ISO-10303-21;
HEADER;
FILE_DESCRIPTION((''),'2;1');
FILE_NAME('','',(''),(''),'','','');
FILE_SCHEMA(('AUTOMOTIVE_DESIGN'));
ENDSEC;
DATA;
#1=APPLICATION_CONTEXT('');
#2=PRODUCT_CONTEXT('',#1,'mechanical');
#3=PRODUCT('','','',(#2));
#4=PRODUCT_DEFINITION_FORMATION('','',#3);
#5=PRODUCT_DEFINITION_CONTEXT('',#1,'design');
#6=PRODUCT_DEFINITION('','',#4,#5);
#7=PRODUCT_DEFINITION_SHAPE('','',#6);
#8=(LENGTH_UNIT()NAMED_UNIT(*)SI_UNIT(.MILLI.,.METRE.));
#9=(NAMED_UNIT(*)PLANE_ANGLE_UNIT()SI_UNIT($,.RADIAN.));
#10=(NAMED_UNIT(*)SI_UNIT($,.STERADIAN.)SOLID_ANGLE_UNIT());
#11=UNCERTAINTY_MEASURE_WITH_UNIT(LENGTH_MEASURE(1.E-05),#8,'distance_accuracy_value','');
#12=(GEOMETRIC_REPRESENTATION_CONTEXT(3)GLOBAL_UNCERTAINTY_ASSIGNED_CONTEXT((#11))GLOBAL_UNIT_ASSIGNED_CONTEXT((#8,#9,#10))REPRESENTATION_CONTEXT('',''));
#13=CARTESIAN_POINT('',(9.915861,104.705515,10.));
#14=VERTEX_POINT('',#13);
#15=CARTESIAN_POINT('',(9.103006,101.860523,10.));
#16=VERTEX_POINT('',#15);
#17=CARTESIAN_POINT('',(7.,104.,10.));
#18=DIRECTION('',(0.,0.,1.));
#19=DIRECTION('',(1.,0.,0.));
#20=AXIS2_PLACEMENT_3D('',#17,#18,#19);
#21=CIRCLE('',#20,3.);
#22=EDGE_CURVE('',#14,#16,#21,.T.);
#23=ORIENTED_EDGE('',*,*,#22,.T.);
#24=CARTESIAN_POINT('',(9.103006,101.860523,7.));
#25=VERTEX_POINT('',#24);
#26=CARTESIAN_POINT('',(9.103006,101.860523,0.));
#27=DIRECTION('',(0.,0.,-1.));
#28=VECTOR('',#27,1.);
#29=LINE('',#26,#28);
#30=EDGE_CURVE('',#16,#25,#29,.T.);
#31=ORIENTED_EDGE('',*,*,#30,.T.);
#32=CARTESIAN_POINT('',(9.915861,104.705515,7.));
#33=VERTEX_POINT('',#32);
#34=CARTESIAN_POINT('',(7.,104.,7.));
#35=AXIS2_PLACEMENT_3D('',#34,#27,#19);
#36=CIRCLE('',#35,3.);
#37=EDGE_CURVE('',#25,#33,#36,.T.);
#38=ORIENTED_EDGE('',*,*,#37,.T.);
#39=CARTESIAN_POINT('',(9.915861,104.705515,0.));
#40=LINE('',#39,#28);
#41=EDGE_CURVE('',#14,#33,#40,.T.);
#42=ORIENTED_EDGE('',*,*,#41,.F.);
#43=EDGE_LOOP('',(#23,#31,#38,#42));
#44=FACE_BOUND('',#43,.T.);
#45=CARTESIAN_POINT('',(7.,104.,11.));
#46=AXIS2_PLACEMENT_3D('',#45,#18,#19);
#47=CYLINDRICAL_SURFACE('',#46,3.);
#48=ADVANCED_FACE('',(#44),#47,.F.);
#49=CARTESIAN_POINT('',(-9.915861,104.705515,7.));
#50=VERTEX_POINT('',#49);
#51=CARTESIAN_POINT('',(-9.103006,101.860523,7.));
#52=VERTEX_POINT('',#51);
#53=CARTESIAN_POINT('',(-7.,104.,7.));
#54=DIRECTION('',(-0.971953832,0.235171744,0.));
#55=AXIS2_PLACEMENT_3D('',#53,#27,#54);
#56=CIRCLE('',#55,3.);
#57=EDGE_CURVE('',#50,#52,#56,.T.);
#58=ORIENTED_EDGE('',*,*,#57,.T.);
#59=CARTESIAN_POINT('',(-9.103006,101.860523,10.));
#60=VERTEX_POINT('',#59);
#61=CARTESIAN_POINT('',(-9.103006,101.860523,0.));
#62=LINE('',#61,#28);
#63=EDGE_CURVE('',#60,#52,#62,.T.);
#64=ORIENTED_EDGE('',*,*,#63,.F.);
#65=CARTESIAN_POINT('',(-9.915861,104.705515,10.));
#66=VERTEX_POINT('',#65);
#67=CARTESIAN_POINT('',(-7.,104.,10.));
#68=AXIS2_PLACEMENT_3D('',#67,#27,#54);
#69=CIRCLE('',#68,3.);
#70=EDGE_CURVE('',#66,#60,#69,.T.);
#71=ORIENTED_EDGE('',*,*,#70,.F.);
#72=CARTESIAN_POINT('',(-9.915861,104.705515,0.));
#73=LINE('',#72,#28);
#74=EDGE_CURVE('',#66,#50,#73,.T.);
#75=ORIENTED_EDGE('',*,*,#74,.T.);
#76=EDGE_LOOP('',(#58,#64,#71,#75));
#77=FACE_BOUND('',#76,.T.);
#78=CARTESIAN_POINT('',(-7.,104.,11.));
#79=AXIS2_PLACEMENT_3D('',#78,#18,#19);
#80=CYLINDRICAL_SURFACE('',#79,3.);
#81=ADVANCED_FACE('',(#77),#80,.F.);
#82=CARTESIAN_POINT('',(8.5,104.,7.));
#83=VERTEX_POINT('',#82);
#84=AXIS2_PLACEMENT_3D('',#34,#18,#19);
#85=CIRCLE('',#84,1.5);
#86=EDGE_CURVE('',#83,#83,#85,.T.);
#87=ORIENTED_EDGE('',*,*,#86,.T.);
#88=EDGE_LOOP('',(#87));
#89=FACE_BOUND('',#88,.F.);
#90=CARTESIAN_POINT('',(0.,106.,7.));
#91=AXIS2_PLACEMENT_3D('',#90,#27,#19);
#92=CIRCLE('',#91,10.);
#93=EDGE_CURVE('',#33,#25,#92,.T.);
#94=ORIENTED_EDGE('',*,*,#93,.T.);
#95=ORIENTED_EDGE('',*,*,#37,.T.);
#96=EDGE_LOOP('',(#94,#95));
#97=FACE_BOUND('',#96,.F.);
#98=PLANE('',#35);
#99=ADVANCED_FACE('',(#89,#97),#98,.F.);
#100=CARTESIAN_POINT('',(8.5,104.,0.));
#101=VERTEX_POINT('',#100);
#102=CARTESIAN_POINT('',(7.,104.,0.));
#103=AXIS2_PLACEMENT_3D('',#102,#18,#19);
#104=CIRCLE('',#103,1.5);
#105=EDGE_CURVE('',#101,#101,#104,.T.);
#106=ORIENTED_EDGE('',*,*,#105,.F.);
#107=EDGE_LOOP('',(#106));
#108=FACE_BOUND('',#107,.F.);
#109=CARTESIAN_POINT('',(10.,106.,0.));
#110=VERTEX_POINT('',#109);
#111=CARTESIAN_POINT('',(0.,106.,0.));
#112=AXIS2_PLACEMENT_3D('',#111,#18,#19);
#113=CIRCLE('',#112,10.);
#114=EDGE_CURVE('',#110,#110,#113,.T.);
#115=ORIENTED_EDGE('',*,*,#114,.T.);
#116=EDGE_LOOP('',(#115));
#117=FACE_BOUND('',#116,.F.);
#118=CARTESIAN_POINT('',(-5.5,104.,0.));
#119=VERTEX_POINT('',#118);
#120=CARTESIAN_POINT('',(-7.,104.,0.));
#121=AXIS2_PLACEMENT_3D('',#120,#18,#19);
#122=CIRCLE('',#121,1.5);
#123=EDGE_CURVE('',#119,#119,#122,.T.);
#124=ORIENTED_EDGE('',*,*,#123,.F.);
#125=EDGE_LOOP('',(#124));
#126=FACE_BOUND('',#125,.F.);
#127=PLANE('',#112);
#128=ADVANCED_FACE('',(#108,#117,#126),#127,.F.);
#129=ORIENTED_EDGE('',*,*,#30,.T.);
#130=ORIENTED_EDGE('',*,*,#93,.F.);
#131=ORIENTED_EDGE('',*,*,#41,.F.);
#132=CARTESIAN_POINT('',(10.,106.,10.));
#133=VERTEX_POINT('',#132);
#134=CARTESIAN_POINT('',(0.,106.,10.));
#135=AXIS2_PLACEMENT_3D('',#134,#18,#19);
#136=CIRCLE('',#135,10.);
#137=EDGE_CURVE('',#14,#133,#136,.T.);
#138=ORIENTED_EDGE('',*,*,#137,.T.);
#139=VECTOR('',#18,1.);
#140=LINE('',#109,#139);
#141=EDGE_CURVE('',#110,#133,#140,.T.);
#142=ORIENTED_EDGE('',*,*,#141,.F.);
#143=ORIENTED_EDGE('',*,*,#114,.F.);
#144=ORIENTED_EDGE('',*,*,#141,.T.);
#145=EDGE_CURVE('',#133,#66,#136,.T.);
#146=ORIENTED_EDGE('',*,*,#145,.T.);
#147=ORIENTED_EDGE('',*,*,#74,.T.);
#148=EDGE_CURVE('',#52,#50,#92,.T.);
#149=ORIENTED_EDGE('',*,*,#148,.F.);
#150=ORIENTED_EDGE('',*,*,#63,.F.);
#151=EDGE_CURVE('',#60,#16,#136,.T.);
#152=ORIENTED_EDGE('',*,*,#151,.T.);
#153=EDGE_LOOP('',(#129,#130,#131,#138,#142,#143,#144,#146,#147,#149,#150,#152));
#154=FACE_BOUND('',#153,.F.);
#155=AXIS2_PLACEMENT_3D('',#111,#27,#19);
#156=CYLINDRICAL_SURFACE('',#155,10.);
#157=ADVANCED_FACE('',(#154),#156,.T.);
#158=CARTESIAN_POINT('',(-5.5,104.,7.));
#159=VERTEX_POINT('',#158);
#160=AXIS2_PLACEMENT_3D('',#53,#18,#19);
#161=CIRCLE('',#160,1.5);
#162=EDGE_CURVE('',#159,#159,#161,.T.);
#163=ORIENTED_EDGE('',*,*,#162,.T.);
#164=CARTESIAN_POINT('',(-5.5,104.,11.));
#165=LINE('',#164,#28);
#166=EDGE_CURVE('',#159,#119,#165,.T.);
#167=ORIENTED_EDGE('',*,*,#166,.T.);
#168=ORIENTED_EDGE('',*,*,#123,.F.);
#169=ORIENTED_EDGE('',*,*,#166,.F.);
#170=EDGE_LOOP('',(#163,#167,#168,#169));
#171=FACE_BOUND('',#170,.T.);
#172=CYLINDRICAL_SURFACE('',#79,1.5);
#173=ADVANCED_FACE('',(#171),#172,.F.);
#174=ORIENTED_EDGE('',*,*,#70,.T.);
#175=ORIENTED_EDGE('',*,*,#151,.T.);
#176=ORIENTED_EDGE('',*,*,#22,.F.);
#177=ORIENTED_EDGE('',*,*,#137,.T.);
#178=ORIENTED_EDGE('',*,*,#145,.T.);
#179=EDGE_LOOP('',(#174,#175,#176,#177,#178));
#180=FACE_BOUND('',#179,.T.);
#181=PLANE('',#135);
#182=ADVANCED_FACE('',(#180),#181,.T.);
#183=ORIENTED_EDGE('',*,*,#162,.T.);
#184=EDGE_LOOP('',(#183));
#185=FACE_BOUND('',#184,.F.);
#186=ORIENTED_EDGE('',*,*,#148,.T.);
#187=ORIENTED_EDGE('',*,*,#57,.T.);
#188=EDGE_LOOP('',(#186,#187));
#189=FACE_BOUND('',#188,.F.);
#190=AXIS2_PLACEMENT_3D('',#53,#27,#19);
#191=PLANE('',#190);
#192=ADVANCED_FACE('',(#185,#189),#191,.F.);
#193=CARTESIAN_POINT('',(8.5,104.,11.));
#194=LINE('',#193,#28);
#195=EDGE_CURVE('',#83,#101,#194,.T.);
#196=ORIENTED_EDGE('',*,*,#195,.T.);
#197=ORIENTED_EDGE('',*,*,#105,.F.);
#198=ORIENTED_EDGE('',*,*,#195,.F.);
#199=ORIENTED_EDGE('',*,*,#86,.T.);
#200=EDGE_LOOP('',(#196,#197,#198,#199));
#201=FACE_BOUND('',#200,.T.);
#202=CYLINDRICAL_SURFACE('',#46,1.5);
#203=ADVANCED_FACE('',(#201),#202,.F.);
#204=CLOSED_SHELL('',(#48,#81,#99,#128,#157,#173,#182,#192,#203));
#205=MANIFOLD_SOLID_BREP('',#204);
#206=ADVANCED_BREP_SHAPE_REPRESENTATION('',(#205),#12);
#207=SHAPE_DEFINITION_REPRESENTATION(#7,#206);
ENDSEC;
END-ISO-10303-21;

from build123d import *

# Parameters (mm, degrees)
CYLINDER427_R               = 3
CYLINDER427_DEPTH           = 4
CYLINDER426_R               = 3
CYLINDER426_DEPTH           = 4
CYLINDER424_R               = 3
CYLINDER424_DEPTH           = 4
CYLINDER425_R               = 3
CYLINDER425_DEPTH           = 4
COMPOUND320_PLACEMENT_ANGLE = 90
CYLINDER415_R               = 1.5
CYLINDER415_DEPTH           = 20
CYLINDER414_R               = 1.5
CYLINDER414_DEPTH           = 20
CYLINDER412_R               = 1.5
CYLINDER412_DEPTH           = 20
CYLINDER413_R               = 1.5
CYLINDER413_DEPTH           = 20
COMPOUND317_PLACEMENT_ANGLE = 90
CYLINDER284_R               = 10
CYLINDER284_DEPTH           = 10


with BuildPart() as v_lec427:
    # Cylinder427 → Cylinder427 (new body)
    with BuildSketch(Plane(origin=(-7, -34, 37), x_dir=(1, 0, 0), z_dir=(0, -1, 0))):
        Circle(CYLINDER427_R)
    extrude(amount=CYLINDER427_DEPTH)


with BuildPart() as v_lec426:
    # Cylinder426 → Cylinder426 (new body)
    with BuildSketch(Plane(origin=(7, -34, 73), x_dir=(1, 0, 0), z_dir=(0, -1, 0))):
        Circle(CYLINDER426_R)
    extrude(amount=CYLINDER426_DEPTH)


with BuildPart() as v_lec424:
    # Cylinder424 → Cylinder424 (new body)
    with BuildSketch(Plane(origin=(-7, -34, 73), x_dir=(1, 0, 0), z_dir=(0, -1, 0))):
        Circle(CYLINDER424_R)
    extrude(amount=CYLINDER424_DEPTH)


with BuildPart() as compound320:
    # Cylinder425 → Cylinder425 (new body)
    with BuildSketch(Plane(origin=(7, -34, 37), x_dir=(1, 0, 0), z_dir=(0, -1, 0))):
        Circle(CYLINDER425_R)
    extrude(amount=CYLINDER425_DEPTH)

    # Compound320: union Válec427, Válec426, Válec424
    add(v_lec427.part)
    add(v_lec426.part)
    add(v_lec424.part)


with BuildPart() as compound320_1:
    # Compound320 placement: moved
    add(compound320.part.moved(Location((0, 141, 45))).rotate(Axis((0, 141, 45), (1, 0, 0)), COMPOUND320_PLACEMENT_ANGLE))


with BuildPart() as v_lec415:
    # Cylinder415 → Cylinder415 (new body)
    with BuildSketch(Plane(origin=(-7, -34, 37), x_dir=(1, 0, 0), z_dir=(0, -1, 0))):
        Circle(CYLINDER415_R)
    extrude(amount=CYLINDER415_DEPTH)


with BuildPart() as v_lec414:
    # Cylinder414 → Cylinder414 (new body)
    with BuildSketch(Plane(origin=(7, -34, 73), x_dir=(1, 0, 0), z_dir=(0, -1, 0))):
        Circle(CYLINDER414_R)
    extrude(amount=CYLINDER414_DEPTH)


with BuildPart() as v_lec412:
    # Cylinder412 → Cylinder412 (new body)
    with BuildSketch(Plane(origin=(-7, -34, 73), x_dir=(1, 0, 0), z_dir=(0, -1, 0))):
        Circle(CYLINDER412_R)
    extrude(amount=CYLINDER412_DEPTH)


with BuildPart() as compound317:
    # Cylinder413 → Cylinder413 (new body)
    with BuildSketch(Plane(origin=(7, -34, 37), x_dir=(1, 0, 0), z_dir=(0, -1, 0))):
        Circle(CYLINDER413_R)
    extrude(amount=CYLINDER413_DEPTH)

    # Compound317: union Válec415, Válec414, Válec412
    add(v_lec415.part)
    add(v_lec414.part)
    add(v_lec412.part)


with BuildPart() as compound317_1:
    # Compound317 placement: moved
    add(compound317.part.moved(Location((0, 141, 45))).rotate(Axis((0, 141, 45), (1, 0, 0)), COMPOUND317_PLACEMENT_ANGLE))


with BuildPart() as cut168:
    # Cylinder284 → Cylinder284 (new body)
    with BuildSketch(Plane(origin=(0, 106, 0), x_dir=(1, 0, 0), z_dir=(0, 0, 1))):
        Circle(CYLINDER284_R)
    extrude(amount=CYLINDER284_DEPTH)

    # Cut166: cut Compound317
    add(compound317_1.part, mode=Mode.SUBTRACT)

    # Cut168: cut Compound320
    add(compound320_1.part, mode=Mode.SUBTRACT)


solid = cut168.part
